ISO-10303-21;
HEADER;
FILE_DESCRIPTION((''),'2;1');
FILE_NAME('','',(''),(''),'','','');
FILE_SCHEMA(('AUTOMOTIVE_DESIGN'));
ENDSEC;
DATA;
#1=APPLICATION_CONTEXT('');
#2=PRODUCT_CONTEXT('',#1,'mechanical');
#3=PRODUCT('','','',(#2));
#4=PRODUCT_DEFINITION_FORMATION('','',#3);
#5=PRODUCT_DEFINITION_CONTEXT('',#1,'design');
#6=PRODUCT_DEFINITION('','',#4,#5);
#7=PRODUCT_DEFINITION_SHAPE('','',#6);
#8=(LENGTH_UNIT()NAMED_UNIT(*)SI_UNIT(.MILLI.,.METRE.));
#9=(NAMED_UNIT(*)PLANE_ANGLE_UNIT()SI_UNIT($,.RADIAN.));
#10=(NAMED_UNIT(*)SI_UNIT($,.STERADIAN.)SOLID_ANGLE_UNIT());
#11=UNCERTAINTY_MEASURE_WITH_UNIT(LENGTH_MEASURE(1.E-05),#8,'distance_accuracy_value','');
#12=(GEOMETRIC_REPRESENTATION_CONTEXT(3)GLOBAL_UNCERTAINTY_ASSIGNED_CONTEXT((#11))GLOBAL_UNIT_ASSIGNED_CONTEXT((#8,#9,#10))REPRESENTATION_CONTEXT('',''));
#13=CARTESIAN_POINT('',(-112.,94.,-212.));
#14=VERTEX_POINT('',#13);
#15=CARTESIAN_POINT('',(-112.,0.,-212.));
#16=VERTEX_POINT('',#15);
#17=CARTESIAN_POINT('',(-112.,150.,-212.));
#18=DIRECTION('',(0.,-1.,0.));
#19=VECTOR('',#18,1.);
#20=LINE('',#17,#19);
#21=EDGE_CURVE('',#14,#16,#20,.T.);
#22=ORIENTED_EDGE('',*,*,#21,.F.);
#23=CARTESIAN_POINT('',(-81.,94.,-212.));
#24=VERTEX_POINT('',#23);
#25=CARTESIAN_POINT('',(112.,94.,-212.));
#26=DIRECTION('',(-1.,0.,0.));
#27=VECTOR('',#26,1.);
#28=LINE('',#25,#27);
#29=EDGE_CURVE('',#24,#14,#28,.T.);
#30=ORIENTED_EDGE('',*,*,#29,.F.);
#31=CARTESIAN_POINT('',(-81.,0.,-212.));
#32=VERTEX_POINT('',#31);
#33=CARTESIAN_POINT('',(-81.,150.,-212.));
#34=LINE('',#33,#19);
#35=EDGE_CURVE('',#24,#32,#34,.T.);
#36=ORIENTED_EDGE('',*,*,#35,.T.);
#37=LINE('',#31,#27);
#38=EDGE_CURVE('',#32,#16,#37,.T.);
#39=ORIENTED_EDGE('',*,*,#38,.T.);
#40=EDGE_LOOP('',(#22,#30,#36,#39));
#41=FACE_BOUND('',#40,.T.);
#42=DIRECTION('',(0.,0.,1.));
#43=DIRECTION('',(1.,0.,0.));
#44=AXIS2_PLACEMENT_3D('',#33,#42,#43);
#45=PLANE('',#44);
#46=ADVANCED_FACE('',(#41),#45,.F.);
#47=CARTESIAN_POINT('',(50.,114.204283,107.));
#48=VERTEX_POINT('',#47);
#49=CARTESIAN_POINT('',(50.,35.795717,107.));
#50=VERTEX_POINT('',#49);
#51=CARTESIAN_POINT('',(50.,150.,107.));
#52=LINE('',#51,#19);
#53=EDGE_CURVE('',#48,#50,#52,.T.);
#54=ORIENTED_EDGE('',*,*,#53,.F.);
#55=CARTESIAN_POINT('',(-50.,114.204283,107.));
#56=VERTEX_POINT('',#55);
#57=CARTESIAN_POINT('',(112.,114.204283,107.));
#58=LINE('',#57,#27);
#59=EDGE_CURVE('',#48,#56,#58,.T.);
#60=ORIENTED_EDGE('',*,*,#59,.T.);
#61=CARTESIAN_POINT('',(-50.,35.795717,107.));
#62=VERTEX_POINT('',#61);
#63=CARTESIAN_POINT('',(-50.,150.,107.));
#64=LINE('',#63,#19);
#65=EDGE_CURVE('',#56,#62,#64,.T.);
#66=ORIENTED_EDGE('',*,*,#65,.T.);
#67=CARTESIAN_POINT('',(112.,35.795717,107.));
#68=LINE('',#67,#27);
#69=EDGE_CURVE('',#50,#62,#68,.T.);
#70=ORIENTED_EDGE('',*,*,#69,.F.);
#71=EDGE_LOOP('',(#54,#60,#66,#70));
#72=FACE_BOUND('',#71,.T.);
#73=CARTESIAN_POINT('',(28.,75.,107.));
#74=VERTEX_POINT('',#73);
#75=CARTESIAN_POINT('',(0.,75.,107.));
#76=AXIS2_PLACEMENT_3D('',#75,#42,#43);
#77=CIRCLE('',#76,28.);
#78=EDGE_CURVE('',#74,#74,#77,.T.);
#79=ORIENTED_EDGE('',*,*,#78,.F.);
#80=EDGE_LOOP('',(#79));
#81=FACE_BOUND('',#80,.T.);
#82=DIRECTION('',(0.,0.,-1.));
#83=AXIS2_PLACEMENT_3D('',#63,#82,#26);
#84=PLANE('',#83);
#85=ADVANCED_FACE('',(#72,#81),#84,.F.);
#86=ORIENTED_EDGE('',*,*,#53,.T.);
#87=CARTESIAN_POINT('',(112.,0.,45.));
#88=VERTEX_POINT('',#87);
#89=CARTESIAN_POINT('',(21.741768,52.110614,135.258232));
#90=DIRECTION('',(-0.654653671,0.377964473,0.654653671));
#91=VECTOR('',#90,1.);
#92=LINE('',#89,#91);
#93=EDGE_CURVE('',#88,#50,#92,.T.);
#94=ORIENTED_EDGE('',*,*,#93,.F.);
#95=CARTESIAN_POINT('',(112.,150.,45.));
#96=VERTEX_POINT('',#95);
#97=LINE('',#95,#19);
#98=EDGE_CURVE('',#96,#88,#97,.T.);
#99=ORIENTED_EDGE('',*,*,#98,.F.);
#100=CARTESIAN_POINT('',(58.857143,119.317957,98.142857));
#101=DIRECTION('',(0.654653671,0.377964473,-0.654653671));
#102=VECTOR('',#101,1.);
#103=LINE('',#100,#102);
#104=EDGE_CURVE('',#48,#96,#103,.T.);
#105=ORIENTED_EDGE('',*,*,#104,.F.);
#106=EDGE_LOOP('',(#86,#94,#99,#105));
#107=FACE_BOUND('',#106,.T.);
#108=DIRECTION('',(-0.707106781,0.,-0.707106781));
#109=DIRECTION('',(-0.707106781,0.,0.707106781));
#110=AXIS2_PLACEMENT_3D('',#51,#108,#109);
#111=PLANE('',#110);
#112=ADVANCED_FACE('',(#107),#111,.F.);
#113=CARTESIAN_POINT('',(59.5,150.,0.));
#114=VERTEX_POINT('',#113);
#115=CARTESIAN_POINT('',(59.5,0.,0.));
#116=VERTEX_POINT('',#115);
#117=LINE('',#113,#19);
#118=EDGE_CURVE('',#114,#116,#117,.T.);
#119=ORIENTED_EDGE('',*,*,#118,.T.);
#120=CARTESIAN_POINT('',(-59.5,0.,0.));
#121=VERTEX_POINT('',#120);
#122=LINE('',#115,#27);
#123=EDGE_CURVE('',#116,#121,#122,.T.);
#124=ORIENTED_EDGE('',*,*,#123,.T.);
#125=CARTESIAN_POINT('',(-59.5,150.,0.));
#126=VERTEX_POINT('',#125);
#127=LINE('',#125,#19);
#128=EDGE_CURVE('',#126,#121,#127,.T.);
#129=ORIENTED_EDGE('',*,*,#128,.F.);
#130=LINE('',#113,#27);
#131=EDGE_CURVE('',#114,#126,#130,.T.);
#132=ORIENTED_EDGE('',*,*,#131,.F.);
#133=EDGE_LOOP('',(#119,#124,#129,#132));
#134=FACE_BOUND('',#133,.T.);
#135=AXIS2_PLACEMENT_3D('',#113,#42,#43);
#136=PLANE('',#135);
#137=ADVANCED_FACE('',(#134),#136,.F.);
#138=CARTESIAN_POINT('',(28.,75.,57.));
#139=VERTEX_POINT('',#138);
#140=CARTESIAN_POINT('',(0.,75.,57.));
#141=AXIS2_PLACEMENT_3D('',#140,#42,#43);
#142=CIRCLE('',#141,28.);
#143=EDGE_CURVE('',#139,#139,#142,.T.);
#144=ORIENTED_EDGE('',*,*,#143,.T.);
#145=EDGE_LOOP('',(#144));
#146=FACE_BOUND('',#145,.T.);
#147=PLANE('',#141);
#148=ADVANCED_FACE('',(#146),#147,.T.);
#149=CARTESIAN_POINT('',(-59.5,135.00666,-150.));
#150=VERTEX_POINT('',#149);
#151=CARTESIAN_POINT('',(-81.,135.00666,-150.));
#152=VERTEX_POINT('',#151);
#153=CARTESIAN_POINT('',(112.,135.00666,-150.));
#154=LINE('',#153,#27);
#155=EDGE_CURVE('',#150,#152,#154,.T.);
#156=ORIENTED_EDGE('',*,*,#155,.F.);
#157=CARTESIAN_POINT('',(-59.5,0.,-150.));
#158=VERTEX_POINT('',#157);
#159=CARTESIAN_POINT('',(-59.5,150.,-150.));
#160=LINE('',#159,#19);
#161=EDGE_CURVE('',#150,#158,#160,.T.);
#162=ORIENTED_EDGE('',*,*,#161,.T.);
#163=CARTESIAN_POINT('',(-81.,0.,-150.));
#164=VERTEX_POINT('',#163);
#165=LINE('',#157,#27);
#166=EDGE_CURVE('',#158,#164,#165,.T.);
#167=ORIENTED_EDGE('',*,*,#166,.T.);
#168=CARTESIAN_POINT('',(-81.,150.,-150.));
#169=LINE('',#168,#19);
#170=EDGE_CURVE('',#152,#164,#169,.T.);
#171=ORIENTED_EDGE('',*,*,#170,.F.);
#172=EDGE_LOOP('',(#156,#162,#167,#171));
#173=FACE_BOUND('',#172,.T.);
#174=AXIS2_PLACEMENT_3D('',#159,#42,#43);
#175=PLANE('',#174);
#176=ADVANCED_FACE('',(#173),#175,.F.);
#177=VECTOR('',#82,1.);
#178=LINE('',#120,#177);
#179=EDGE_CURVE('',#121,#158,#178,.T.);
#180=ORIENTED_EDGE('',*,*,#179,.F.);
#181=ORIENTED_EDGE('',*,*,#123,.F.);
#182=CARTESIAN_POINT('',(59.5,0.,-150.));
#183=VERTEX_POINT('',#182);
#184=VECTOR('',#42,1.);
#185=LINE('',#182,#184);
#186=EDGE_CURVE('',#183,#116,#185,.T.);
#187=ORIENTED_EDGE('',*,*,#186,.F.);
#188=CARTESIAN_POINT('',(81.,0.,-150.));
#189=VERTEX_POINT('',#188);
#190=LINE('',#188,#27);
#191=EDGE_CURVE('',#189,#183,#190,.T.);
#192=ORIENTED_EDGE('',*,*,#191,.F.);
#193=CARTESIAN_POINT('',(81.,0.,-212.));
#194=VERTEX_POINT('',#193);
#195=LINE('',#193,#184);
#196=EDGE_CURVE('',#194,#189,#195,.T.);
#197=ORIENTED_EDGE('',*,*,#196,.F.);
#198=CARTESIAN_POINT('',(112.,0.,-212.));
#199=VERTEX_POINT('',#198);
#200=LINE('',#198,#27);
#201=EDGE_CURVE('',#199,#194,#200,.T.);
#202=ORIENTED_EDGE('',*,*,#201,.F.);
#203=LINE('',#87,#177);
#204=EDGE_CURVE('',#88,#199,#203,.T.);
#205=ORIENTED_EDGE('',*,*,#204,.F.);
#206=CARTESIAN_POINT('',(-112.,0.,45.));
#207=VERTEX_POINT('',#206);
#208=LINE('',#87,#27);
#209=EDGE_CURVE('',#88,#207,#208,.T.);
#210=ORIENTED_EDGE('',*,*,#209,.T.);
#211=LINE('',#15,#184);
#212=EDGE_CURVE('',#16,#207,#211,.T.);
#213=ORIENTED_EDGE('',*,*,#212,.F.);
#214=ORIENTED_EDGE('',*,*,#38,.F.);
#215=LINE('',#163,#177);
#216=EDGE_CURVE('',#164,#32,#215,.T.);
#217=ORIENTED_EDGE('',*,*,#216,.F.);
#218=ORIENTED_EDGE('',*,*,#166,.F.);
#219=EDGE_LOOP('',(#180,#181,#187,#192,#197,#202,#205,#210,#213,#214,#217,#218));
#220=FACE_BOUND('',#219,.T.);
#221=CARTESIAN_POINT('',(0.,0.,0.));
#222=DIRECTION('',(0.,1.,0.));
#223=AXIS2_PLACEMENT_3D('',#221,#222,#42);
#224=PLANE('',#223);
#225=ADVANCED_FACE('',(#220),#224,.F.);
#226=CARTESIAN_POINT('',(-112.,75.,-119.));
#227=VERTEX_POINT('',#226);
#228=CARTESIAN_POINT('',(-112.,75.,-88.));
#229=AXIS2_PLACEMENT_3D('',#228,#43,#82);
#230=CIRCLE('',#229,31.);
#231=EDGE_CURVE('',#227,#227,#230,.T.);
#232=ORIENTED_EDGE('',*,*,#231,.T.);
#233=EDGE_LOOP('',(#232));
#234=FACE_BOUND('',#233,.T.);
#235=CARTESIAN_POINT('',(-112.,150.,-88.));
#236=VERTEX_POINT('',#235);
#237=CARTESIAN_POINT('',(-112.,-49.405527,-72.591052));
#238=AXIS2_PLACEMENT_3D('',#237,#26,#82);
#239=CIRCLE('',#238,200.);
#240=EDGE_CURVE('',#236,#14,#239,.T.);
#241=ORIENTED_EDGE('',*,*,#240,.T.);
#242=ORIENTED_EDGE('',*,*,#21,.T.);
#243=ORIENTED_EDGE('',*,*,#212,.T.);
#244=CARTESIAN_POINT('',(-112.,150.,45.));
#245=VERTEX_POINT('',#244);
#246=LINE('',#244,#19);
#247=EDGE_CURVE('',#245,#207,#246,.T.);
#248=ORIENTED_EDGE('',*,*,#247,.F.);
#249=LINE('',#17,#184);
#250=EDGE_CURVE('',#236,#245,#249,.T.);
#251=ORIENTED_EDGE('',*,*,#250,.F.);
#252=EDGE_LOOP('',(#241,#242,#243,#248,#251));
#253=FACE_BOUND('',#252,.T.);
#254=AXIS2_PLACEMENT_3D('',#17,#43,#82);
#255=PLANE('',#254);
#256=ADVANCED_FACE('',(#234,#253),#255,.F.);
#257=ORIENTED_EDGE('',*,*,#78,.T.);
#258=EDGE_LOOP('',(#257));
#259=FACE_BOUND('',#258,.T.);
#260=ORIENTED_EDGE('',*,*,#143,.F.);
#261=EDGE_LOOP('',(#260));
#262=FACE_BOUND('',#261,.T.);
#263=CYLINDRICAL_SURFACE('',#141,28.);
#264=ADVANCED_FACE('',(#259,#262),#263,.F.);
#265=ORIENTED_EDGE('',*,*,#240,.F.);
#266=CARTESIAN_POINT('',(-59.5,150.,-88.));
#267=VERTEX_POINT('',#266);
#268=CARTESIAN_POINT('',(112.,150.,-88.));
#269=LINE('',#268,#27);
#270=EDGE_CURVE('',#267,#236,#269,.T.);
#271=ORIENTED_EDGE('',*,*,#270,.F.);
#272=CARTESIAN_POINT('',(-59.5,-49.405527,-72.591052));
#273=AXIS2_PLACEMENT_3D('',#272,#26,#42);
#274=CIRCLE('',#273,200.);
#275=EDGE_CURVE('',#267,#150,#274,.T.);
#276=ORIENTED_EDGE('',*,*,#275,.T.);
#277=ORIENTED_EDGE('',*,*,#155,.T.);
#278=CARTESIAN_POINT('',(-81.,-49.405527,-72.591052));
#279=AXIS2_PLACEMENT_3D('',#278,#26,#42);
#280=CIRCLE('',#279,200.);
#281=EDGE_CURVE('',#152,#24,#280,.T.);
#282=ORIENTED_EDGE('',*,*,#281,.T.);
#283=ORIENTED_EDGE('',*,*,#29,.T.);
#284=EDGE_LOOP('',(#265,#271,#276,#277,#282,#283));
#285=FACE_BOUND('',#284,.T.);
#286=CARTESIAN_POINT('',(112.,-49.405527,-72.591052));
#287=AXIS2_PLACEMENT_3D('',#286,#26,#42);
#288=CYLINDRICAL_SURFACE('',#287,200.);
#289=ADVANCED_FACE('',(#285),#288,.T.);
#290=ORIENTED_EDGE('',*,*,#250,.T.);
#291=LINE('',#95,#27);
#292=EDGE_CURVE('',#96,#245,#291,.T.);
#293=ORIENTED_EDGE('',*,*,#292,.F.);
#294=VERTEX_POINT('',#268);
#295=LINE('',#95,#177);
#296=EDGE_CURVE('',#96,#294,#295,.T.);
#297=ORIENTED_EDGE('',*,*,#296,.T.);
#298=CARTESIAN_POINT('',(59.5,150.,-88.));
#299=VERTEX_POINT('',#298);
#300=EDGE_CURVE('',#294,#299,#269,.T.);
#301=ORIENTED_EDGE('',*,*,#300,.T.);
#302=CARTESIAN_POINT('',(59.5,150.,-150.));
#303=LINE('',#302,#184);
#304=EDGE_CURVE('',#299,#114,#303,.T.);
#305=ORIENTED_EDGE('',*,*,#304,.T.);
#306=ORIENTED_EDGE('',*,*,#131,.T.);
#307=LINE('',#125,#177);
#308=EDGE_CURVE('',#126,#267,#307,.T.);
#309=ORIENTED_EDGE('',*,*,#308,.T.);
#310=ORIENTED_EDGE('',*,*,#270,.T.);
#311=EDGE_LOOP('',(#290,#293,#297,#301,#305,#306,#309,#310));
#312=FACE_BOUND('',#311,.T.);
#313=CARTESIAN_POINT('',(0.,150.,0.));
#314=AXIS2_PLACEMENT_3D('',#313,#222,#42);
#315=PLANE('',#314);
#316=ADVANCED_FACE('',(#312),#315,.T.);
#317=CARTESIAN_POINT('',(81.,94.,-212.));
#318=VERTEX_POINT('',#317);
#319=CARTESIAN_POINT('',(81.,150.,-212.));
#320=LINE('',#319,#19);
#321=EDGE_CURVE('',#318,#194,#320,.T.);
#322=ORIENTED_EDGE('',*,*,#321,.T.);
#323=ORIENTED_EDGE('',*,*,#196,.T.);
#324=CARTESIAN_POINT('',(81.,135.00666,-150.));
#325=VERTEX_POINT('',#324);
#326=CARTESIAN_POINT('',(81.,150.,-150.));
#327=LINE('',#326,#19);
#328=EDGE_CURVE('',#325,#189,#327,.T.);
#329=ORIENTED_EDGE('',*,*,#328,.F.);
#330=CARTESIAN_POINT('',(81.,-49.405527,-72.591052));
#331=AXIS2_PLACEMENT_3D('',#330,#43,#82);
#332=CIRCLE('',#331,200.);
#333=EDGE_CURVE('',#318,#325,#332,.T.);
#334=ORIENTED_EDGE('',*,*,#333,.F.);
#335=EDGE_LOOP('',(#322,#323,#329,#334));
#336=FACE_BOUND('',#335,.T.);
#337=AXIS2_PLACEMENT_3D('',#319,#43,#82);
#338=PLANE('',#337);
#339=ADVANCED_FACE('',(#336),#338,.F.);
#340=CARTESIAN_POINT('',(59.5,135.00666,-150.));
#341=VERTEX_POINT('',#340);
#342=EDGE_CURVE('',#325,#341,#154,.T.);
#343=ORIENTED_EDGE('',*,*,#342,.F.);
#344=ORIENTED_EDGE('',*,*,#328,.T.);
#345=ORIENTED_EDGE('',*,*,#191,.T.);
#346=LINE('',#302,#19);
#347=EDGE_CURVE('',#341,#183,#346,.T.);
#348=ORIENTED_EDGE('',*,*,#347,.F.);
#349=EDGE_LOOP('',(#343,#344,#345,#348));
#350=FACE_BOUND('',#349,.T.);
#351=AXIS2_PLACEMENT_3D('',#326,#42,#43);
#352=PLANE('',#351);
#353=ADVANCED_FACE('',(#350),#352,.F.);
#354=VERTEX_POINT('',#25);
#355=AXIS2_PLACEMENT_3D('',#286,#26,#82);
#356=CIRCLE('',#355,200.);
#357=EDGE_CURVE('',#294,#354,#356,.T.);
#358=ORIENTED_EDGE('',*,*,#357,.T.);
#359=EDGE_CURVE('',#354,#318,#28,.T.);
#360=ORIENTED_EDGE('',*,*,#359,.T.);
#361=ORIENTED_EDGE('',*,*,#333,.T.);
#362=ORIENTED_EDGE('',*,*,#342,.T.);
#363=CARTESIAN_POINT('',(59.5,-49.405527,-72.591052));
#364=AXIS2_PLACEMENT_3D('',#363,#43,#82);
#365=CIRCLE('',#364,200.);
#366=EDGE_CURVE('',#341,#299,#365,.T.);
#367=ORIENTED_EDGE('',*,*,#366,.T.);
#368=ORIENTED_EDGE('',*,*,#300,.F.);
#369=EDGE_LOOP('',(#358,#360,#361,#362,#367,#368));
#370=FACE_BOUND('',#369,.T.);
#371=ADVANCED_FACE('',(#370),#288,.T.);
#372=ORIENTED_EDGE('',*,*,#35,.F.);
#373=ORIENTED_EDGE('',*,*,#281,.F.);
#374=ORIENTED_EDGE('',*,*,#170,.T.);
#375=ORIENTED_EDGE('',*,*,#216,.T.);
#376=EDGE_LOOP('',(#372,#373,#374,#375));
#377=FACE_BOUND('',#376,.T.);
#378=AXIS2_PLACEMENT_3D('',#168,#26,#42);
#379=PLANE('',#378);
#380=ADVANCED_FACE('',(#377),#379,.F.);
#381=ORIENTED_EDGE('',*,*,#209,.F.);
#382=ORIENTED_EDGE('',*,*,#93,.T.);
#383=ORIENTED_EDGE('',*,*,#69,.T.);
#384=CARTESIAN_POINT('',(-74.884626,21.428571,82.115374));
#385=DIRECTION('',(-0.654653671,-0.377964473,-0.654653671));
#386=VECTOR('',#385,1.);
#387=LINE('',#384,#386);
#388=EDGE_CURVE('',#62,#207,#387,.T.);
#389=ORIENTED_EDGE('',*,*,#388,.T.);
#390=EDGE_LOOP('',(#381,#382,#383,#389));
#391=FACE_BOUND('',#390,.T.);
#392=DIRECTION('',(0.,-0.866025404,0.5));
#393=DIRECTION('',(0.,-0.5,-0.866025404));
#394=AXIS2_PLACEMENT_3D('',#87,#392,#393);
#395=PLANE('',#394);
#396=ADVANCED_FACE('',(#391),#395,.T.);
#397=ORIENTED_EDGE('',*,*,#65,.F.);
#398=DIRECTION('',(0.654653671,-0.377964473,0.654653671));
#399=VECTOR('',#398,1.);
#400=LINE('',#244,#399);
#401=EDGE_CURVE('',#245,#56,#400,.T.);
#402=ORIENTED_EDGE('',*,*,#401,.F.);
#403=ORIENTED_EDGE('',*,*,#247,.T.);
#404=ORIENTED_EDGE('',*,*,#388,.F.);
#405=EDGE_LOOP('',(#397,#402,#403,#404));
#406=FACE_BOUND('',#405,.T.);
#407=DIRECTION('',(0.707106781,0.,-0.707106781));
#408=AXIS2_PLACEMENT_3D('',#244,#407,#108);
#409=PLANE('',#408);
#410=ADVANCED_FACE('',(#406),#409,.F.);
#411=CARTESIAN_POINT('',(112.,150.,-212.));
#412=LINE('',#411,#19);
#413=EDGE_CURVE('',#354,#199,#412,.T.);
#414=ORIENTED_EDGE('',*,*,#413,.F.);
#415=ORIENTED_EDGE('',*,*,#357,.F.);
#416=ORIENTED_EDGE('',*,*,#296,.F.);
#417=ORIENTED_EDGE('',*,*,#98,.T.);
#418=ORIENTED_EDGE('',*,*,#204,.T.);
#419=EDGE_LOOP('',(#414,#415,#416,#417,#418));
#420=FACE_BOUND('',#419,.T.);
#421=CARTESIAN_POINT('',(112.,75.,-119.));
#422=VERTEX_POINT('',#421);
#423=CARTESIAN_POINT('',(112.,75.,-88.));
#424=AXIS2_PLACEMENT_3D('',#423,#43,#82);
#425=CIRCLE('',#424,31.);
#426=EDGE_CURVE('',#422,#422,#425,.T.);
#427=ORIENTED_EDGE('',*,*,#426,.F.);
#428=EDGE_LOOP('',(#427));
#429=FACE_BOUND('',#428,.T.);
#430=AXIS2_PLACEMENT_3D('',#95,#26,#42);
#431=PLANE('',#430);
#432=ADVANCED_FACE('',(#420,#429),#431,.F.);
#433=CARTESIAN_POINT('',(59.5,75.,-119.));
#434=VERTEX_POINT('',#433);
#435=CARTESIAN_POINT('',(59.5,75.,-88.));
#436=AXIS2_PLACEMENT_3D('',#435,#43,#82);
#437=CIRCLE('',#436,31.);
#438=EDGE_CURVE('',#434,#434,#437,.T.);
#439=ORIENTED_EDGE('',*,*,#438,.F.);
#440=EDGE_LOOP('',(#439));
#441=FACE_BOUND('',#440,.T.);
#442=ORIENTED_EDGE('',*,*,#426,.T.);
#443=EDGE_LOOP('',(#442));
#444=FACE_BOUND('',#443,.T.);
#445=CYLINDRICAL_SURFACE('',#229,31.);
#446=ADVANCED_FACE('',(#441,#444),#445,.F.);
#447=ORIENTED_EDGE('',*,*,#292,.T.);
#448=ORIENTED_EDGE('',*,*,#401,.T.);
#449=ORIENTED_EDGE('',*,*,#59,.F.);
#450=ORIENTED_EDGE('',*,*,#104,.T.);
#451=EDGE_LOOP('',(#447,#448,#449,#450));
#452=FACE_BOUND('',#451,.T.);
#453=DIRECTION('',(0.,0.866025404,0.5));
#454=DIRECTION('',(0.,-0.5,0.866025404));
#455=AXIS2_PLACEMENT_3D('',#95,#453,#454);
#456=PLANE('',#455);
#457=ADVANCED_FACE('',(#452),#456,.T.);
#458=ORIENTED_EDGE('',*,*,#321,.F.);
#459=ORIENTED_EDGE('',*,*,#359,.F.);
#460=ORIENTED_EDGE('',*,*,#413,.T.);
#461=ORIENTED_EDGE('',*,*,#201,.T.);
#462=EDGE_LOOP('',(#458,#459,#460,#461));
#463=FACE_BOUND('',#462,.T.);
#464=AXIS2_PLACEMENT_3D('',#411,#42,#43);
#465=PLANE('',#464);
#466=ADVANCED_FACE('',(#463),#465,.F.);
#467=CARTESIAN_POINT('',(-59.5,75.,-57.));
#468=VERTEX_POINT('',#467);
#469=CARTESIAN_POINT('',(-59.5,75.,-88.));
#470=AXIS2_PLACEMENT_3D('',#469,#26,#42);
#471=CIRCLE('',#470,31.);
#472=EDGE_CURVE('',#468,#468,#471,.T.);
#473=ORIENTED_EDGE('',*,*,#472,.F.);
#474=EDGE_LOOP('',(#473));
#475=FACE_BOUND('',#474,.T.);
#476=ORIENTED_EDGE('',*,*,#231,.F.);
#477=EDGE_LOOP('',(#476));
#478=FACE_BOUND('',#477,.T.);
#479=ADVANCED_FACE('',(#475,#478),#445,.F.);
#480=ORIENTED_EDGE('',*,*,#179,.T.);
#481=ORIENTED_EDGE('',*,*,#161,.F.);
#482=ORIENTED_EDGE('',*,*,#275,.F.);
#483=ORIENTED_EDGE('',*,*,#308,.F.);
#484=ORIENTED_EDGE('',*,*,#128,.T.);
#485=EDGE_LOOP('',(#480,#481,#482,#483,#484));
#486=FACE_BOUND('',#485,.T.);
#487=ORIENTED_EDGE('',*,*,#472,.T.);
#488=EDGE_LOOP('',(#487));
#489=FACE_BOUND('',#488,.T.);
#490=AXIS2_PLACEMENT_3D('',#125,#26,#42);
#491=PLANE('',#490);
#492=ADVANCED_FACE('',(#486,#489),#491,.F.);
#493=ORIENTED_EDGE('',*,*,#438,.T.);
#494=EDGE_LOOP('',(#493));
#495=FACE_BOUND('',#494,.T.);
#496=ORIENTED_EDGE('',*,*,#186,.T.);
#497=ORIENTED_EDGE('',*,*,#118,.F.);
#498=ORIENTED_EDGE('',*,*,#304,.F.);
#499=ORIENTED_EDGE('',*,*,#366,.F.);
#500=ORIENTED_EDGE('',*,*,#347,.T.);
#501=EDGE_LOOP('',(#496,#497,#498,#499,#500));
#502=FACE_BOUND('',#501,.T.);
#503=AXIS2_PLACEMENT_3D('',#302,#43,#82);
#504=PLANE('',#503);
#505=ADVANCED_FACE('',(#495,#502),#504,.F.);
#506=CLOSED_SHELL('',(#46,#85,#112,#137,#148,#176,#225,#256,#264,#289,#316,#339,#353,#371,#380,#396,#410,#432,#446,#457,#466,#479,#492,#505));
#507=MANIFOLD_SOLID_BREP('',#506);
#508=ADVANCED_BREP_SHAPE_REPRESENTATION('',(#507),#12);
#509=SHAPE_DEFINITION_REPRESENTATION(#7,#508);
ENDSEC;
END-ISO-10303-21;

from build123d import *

# Parameters (mm, degrees)
BOSS_EXTRUDE1_DEPTH     = 150
CUT_EXTRUDE1_DEPTH      = 112
CUT_EXTRUDE1_DEPTH_BACK = 112
CUT_EXTRUDE2_DEPTH      = 112
CUT_EXTRUDE2_DEPTH_BACK = 112
SKETCH5_R               = 28
CUT_EXTRUDE3_DEPTH      = 50
SKETCH6_R               = 31
CUT_EXTRUDE4_DEPTH      = 224


with BuildPart() as part:
    # Sketch1 → Boss-Extrude1 (new body)
    with BuildSketch(Plane(origin=(0, 0, 0), x_dir=(1, 0, 0), z_dir=(0, 1, 0))):
        Polygon((59.5, 0), (-59.5, 0), (-59.5, 150), (-81, 150), (-81, 212), (-112, 212), (-112, -45), (-50, -107), (50, -107), (112, -45), (112, 212), (81, 212), (81, 150), (59.5, 150), align=None)
    extrude(amount=BOSS_EXTRUDE1_DEPTH)

    # Sketch3 → Cut-Extrude1 (cut, two sides: drawn at the far end of the back side and taken through both)
    with BuildSketch(Plane(origin=(0, 0, 0), x_dir=(0, 0, -1), z_dir=(1, 0, 0)).offset(-CUT_EXTRUDE1_DEPTH_BACK)):
        Polygon((-107, 150), (-107, 114.20428331), (-45, 150), align=None)
        Polygon((-107, 0), (-45, 0), (-107, 35.79571669), align=None)
    extrude(amount=CUT_EXTRUDE1_DEPTH + CUT_EXTRUDE1_DEPTH_BACK, mode=Mode.SUBTRACT)

    # Sketch4 → Cut-Extrude2 (cut, two sides: drawn at the far end of the back side and taken through both)
    with BuildSketch(Plane(origin=(0, 0, 0), x_dir=(0, 0, -1), z_dir=(1, 0, 0)).offset(-CUT_EXTRUDE2_DEPTH_BACK)):
        with BuildLine():
            Line((212, 150), (88, 150))
            ThreePointArc((88, 150), (154.908396662, 132.868592609), (212, 94))
            Line((212, 94), (212, 150))
        make_face()
    extrude(amount=CUT_EXTRUDE2_DEPTH + CUT_EXTRUDE2_DEPTH_BACK, mode=Mode.SUBTRACT)

    # Sketch5 → Cut-Extrude3 (cut)
    with BuildSketch(Plane.XY.offset(107)):
        with Locations((0, 75)):
            Circle(SKETCH5_R)
    extrude(amount=-CUT_EXTRUDE3_DEPTH, mode=Mode.SUBTRACT)

    # Sketch6 → Cut-Extrude4 (cut)
    with BuildSketch(Plane(origin=(112, 0, 0), x_dir=(0, 0, -1), z_dir=(1, 0, 0))):
        with Locations((88, 75)):
            Circle(SKETCH6_R)
    extrude(amount=-CUT_EXTRUDE4_DEPTH, mode=Mode.SUBTRACT)


solid = part.part
